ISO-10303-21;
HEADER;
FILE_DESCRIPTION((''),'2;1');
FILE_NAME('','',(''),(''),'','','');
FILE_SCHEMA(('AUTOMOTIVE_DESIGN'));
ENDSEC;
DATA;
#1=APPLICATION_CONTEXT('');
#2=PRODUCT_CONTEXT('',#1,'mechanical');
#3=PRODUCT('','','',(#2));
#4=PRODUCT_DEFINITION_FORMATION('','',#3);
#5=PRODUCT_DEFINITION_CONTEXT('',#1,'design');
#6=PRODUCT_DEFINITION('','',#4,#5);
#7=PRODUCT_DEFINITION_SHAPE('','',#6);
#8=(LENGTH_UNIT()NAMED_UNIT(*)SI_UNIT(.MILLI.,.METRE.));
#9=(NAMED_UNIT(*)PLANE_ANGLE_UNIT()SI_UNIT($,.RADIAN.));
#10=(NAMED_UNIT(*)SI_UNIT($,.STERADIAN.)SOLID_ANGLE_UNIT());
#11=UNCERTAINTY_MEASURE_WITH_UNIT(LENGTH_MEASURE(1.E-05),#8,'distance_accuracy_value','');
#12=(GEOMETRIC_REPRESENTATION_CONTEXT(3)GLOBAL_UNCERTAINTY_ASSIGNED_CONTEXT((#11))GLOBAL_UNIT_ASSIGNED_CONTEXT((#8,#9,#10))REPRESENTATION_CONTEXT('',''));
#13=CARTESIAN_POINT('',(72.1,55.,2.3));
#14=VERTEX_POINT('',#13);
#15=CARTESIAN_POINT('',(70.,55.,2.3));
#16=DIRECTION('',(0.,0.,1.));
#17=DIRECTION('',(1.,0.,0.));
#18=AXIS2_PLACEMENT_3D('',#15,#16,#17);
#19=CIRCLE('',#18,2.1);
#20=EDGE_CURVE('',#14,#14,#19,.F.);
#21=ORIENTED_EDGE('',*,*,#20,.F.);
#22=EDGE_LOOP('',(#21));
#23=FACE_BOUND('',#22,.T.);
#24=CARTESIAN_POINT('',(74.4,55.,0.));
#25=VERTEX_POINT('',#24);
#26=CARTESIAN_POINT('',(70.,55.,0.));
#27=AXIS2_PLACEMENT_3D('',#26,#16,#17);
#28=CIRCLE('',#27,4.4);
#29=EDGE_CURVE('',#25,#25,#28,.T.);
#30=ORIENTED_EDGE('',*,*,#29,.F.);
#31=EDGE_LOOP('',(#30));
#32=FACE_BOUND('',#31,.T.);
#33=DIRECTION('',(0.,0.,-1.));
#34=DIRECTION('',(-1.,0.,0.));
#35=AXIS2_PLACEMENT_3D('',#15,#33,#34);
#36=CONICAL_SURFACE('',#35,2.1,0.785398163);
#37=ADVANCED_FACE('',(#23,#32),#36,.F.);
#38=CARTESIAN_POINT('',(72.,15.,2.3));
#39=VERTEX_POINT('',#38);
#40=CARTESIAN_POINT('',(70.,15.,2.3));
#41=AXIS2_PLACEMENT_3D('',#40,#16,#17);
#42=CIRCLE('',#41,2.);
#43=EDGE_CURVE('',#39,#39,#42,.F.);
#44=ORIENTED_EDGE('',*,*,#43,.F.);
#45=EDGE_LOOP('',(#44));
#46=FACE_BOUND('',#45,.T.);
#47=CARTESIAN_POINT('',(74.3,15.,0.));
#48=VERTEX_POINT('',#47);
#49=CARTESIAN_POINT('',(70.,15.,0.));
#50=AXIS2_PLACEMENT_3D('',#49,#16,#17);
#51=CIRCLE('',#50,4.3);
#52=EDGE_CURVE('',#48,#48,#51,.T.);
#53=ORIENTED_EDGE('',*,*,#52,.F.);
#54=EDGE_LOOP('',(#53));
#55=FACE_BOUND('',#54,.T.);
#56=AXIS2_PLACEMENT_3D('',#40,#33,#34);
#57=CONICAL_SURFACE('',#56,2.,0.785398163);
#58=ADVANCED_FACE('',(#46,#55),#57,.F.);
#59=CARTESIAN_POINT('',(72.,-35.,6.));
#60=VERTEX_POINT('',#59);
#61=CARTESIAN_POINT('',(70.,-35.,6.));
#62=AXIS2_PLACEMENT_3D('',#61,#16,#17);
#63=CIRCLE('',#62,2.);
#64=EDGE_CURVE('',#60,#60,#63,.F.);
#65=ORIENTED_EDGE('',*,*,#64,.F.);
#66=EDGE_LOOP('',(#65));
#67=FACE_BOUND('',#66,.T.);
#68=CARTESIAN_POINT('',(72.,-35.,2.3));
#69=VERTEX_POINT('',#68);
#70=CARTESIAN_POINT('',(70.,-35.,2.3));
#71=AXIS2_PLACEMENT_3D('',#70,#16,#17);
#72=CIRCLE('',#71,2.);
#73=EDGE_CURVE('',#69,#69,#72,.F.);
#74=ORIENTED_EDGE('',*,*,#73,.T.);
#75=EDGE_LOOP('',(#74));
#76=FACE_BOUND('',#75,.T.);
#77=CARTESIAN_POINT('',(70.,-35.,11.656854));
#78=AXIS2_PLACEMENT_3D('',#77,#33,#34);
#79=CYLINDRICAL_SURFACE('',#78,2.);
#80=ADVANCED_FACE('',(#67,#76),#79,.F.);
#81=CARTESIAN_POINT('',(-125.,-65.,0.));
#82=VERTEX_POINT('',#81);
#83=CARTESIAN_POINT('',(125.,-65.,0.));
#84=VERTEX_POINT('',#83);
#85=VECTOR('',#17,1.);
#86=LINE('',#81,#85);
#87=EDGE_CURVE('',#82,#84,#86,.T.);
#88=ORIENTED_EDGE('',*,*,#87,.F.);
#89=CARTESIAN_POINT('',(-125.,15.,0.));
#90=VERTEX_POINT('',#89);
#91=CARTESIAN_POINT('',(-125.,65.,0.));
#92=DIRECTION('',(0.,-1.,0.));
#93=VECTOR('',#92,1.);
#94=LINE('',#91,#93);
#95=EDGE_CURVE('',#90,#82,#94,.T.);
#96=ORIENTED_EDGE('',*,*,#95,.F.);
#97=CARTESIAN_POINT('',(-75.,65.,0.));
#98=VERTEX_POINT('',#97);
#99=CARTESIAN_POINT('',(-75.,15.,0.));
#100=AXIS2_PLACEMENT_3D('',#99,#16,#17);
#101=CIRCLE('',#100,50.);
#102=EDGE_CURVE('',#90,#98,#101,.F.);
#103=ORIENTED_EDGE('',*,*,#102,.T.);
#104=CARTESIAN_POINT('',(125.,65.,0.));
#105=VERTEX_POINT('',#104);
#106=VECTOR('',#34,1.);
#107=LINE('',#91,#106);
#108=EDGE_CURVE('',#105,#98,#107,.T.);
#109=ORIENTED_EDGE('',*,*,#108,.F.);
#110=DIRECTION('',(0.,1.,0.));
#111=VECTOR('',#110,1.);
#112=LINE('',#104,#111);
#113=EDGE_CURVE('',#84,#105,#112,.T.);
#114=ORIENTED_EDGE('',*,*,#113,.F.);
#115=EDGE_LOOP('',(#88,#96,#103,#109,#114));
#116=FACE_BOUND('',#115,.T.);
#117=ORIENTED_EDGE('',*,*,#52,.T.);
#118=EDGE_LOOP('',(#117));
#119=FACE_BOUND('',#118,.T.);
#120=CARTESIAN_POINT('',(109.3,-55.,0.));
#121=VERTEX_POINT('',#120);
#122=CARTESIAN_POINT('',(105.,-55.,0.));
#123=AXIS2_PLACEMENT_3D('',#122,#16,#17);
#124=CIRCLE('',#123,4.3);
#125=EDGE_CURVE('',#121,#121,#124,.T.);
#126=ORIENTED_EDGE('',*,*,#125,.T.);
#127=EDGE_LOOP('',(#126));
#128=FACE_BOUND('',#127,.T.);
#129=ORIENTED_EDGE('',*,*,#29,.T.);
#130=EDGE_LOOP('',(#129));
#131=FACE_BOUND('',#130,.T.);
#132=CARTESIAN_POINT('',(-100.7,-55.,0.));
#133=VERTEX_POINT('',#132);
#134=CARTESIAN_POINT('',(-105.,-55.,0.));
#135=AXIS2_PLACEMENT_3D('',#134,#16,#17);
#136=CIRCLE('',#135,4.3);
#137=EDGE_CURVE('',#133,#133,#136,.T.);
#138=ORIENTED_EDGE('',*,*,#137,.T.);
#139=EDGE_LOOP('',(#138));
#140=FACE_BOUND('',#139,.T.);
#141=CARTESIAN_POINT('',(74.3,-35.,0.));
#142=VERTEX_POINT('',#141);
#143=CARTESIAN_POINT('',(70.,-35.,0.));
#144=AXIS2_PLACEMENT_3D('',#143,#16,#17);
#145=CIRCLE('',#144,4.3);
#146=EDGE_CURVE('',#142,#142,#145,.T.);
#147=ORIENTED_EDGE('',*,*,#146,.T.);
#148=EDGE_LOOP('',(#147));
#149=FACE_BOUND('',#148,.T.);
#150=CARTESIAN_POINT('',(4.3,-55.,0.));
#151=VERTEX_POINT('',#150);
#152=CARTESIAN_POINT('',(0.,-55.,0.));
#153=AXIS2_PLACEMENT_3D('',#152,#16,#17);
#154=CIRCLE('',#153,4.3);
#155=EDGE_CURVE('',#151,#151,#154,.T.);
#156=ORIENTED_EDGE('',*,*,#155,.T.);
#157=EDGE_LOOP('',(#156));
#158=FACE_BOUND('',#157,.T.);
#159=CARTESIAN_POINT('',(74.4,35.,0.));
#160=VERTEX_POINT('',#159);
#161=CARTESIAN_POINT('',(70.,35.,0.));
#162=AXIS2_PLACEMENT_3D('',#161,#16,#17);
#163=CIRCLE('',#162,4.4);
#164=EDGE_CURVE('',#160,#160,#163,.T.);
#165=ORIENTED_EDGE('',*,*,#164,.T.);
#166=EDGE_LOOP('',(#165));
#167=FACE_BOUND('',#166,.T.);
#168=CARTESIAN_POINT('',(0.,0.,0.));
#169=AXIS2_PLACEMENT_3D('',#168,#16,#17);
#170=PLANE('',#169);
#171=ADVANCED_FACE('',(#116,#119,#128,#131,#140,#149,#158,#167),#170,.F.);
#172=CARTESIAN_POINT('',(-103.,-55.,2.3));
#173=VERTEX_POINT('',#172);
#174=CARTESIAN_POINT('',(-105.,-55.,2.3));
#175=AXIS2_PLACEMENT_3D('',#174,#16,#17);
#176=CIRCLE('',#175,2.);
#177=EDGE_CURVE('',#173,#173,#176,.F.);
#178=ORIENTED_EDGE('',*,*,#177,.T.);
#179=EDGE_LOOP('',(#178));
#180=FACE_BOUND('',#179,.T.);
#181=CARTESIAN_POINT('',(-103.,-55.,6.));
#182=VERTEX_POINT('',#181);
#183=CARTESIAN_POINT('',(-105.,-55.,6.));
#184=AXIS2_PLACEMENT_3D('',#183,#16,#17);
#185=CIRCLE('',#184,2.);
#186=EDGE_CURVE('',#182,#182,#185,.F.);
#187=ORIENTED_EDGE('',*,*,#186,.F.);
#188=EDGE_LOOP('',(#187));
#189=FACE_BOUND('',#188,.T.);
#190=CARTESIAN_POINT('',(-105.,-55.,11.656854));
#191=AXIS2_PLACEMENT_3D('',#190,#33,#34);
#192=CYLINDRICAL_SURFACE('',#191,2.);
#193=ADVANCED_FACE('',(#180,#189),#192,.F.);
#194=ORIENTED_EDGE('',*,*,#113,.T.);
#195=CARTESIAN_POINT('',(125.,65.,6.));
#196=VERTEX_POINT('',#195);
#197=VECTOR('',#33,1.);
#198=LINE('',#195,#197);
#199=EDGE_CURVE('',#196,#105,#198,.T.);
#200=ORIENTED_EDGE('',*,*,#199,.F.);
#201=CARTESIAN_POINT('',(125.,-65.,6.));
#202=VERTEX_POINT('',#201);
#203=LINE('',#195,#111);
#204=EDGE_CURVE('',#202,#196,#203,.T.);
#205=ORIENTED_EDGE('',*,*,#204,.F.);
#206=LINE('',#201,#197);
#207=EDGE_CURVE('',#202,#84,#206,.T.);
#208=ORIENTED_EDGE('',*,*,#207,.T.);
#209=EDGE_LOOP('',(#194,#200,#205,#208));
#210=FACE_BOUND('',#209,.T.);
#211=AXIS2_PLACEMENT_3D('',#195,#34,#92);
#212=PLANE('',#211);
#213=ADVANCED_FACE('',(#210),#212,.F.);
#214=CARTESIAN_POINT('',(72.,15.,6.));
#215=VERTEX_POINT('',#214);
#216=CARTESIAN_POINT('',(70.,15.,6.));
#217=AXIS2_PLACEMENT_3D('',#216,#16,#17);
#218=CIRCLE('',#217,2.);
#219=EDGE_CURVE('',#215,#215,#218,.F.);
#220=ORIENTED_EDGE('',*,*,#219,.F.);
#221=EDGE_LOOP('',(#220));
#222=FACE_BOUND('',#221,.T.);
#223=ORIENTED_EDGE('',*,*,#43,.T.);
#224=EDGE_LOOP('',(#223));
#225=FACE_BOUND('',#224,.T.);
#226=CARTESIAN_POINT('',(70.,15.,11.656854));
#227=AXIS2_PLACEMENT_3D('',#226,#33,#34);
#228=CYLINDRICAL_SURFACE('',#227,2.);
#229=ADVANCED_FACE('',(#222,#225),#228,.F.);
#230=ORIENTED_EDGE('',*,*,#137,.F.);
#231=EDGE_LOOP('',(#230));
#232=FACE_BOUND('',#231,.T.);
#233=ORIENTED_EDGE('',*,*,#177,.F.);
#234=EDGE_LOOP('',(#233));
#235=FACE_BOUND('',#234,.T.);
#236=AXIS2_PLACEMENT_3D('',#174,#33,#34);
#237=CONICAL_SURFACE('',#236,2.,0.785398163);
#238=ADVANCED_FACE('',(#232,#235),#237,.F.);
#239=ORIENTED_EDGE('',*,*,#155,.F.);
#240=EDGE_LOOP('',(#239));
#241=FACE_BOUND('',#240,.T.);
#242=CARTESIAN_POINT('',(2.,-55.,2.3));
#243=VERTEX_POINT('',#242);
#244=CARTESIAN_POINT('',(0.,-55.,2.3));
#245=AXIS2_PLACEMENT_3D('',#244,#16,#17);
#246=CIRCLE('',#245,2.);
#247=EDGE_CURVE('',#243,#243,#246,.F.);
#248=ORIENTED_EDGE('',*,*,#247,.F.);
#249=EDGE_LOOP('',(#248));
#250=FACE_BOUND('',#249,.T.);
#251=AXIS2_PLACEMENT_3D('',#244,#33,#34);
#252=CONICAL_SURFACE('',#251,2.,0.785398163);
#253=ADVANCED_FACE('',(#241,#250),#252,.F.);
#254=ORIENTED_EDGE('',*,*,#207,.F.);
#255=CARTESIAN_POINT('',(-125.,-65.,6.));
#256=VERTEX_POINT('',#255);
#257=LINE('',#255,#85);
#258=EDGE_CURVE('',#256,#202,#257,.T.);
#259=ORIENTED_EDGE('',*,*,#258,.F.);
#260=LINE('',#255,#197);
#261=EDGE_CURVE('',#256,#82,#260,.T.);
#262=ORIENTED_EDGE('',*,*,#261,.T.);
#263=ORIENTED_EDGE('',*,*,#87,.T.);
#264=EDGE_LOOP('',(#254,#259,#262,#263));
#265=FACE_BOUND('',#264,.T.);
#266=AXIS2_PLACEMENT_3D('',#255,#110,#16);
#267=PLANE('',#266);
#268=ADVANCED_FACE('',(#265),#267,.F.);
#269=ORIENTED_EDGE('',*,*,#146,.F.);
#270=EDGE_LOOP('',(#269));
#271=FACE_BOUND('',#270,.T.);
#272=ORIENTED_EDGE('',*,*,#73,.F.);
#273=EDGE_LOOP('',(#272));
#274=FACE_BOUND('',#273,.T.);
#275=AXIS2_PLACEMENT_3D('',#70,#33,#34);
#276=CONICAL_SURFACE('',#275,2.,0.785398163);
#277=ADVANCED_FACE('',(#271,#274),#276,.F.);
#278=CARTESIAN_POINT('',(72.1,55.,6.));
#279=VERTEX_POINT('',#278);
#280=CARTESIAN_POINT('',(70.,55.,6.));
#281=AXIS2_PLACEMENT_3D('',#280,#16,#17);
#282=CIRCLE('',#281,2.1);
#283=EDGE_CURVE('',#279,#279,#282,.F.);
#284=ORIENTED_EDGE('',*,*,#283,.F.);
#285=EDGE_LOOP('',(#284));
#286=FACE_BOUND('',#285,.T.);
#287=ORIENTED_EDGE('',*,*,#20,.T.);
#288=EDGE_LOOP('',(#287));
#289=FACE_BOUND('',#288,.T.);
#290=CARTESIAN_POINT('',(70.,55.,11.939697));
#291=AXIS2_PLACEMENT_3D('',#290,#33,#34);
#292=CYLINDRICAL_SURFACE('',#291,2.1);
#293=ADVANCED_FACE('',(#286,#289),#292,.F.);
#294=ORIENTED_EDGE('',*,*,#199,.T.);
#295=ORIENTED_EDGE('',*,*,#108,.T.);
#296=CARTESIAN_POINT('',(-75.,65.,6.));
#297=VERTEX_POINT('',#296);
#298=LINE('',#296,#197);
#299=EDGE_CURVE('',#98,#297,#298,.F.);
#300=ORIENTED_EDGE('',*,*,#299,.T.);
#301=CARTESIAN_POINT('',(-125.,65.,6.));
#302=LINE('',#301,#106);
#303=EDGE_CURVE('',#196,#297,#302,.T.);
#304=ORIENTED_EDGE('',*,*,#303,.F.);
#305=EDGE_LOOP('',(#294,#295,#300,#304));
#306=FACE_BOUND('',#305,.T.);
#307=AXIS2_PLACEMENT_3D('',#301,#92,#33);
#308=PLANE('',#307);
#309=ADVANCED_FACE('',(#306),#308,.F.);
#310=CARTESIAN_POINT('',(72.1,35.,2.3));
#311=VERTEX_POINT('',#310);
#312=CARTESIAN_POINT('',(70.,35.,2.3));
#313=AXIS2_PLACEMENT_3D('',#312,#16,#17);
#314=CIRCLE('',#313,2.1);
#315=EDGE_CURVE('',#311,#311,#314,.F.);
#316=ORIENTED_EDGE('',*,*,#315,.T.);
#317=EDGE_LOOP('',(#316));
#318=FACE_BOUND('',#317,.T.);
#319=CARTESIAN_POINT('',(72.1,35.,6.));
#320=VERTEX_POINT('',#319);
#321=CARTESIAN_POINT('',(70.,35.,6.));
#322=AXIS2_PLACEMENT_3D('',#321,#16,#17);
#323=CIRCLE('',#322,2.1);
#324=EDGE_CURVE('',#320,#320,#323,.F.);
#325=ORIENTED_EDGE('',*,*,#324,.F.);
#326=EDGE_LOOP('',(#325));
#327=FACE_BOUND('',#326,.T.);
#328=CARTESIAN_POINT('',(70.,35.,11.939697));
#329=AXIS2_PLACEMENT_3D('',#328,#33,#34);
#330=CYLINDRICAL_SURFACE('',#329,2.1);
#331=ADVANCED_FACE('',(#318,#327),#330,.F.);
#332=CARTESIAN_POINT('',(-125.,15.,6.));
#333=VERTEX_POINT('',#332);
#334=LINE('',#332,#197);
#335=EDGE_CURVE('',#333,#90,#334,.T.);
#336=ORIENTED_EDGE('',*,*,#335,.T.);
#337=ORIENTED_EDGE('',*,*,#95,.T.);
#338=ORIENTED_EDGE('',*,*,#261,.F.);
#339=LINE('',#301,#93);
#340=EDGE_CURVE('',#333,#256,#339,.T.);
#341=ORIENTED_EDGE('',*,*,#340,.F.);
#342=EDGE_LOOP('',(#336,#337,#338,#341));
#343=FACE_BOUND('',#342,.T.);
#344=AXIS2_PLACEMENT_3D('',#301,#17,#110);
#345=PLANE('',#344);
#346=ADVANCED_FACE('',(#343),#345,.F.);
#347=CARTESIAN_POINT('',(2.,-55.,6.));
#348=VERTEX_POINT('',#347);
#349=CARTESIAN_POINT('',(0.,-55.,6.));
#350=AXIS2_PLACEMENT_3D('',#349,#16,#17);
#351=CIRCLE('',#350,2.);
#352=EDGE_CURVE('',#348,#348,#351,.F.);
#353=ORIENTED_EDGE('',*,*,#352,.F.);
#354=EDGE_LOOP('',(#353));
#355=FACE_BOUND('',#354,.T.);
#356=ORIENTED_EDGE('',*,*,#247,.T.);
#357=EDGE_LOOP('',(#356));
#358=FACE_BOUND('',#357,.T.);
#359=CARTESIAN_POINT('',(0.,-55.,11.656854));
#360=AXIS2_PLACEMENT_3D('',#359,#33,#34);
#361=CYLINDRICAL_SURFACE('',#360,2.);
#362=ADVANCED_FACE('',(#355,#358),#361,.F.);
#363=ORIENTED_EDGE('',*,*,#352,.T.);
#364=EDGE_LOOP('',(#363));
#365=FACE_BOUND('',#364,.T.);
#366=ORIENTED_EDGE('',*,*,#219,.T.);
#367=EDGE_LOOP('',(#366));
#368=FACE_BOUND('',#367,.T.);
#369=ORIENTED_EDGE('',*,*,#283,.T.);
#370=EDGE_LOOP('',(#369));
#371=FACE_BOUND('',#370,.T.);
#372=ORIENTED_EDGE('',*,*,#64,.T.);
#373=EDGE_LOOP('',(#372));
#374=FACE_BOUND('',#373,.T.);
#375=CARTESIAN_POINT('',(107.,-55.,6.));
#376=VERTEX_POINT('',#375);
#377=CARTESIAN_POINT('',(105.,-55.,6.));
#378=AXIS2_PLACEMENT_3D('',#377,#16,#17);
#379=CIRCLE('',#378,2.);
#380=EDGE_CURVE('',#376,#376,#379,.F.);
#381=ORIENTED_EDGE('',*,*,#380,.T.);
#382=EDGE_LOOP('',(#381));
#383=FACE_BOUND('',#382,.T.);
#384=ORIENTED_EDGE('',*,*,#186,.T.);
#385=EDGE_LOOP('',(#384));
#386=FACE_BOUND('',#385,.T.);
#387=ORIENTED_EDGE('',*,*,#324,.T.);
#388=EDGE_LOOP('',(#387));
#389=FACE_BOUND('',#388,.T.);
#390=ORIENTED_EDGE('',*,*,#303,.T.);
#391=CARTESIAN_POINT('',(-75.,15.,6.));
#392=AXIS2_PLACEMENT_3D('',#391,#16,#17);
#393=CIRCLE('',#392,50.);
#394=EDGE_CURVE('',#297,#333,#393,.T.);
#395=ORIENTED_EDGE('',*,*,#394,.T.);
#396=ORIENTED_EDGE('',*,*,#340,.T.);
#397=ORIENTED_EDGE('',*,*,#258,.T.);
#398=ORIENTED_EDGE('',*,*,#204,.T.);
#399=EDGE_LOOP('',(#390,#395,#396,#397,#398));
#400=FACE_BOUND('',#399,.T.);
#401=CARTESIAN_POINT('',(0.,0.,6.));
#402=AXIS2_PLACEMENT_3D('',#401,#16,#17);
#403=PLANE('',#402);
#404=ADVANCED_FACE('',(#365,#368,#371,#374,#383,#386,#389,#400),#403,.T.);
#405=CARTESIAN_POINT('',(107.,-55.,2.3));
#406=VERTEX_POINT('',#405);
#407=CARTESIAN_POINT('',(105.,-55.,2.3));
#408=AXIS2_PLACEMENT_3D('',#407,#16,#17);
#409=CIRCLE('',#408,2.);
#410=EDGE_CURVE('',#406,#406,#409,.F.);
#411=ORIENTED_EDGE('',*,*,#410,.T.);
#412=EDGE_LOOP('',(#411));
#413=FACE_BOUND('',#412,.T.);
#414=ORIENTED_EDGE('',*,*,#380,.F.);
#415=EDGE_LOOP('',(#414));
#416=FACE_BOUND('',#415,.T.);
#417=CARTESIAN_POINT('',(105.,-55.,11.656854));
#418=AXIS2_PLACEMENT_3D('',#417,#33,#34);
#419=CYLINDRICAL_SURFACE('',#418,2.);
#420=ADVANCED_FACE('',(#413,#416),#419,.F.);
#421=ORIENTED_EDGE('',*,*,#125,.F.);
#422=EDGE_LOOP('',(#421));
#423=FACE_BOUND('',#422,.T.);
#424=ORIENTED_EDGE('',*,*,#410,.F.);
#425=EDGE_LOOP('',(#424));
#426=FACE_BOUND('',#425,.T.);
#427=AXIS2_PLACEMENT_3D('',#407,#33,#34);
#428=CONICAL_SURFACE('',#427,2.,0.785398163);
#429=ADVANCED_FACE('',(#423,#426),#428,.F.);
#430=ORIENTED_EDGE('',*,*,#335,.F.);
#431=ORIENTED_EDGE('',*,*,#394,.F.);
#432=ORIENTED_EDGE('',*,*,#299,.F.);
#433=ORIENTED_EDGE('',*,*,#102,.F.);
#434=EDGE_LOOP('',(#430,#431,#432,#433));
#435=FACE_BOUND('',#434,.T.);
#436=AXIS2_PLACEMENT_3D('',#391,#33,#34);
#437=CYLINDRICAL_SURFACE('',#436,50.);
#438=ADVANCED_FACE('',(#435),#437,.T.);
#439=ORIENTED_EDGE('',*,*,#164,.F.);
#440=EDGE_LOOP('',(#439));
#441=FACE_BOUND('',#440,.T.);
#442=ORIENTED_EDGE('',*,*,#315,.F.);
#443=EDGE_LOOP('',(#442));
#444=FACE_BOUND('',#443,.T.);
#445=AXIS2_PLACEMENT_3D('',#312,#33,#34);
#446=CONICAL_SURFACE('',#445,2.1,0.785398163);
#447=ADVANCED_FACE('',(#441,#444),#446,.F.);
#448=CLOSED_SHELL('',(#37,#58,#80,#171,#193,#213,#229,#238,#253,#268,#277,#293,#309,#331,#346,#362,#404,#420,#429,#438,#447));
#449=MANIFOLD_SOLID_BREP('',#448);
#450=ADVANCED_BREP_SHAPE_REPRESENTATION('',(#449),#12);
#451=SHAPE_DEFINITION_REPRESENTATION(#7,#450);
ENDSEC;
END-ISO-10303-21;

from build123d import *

# Parameters (mm, degrees)
ESBO_O1_W                = 250
ESBO_O1_H                = 130
RESSALTO_EXTRUS_O1_DEPTH = 6
FILETE1_R                = 50
ESBO_O2_R                = 2
CORTE_EXTRUS_O1_DEPTH    = 6
ESBO_O3_R                = 2.1
CORTE_EXTRUS_O2_DEPTH    = 6
ESBO_O4_R                = 2
CORTE_EXTRUS_O3_DEPTH    = 6
CHANFRO1_SIZE            = 2.3


with BuildPart() as part:
    # Esboço1 → Ressalto-extrusão1 (new body)
    with BuildSketch(Plane.XY):
        Rectangle(ESBO_O1_W, ESBO_O1_H)
    extrude(amount=RESSALTO_EXTRUS_O1_DEPTH)

    # Filete1
    filete1_edges = [part.edges().sort_by_distance(p)[0] for p in [
        (-125, 65, 3),
    ]]
    fillet(filete1_edges, radius=FILETE1_R)

    # Esboço2 → Corte-extrusão1 (cut)
    with BuildSketch(Plane(origin=(0, 0, 0), x_dir=(-1, 0, 0), z_dir=(0, 0, -1))):
        with Locations((0, -55)):
            Circle(ESBO_O2_R)
        with Locations((105, -55)):
            Circle(ESBO_O2_R)
        with Locations((-105, -55)):
            Circle(ESBO_O2_R)
    extrude(amount=-CORTE_EXTRUS_O1_DEPTH, mode=Mode.SUBTRACT)

    # Esboço3 → Corte-extrusão2 (cut)
    with BuildSketch(Plane(origin=(0, 0, 0), x_dir=(-1, 0, 0), z_dir=(0, 0, -1))):
        with Locations((-70, 55)):
            Circle(ESBO_O3_R)
        with Locations((-70, 35)):
            Circle(ESBO_O3_R)
    extrude(amount=-CORTE_EXTRUS_O2_DEPTH, mode=Mode.SUBTRACT)

    # Esboço4 → Corte-extrusão3 (cut)
    with BuildSketch(Plane(origin=(0, 0, 0), x_dir=(-1, 0, 0), z_dir=(0, 0, -1))):
        with Locations((-70, 15)):
            Circle(ESBO_O4_R)
        with Locations((-70, -35)):
            Circle(ESBO_O4_R)
    extrude(amount=-CORTE_EXTRUS_O3_DEPTH, mode=Mode.SUBTRACT)

    # Chanfro1
    chanfro1_edges = [part.edges().sort_by_distance(p)[0] for p in [
        (-103, -55, 0),
        (2, -55, 0),
        (107, -55, 0),
        (72.1, 55, 0),
        (72.1, 35, 0),
        (72, 15, 0),
        (72, -35, 0),
    ]]
    chamfer(chanfro1_edges, length=CHANFRO1_SIZE)


solid = part.part
